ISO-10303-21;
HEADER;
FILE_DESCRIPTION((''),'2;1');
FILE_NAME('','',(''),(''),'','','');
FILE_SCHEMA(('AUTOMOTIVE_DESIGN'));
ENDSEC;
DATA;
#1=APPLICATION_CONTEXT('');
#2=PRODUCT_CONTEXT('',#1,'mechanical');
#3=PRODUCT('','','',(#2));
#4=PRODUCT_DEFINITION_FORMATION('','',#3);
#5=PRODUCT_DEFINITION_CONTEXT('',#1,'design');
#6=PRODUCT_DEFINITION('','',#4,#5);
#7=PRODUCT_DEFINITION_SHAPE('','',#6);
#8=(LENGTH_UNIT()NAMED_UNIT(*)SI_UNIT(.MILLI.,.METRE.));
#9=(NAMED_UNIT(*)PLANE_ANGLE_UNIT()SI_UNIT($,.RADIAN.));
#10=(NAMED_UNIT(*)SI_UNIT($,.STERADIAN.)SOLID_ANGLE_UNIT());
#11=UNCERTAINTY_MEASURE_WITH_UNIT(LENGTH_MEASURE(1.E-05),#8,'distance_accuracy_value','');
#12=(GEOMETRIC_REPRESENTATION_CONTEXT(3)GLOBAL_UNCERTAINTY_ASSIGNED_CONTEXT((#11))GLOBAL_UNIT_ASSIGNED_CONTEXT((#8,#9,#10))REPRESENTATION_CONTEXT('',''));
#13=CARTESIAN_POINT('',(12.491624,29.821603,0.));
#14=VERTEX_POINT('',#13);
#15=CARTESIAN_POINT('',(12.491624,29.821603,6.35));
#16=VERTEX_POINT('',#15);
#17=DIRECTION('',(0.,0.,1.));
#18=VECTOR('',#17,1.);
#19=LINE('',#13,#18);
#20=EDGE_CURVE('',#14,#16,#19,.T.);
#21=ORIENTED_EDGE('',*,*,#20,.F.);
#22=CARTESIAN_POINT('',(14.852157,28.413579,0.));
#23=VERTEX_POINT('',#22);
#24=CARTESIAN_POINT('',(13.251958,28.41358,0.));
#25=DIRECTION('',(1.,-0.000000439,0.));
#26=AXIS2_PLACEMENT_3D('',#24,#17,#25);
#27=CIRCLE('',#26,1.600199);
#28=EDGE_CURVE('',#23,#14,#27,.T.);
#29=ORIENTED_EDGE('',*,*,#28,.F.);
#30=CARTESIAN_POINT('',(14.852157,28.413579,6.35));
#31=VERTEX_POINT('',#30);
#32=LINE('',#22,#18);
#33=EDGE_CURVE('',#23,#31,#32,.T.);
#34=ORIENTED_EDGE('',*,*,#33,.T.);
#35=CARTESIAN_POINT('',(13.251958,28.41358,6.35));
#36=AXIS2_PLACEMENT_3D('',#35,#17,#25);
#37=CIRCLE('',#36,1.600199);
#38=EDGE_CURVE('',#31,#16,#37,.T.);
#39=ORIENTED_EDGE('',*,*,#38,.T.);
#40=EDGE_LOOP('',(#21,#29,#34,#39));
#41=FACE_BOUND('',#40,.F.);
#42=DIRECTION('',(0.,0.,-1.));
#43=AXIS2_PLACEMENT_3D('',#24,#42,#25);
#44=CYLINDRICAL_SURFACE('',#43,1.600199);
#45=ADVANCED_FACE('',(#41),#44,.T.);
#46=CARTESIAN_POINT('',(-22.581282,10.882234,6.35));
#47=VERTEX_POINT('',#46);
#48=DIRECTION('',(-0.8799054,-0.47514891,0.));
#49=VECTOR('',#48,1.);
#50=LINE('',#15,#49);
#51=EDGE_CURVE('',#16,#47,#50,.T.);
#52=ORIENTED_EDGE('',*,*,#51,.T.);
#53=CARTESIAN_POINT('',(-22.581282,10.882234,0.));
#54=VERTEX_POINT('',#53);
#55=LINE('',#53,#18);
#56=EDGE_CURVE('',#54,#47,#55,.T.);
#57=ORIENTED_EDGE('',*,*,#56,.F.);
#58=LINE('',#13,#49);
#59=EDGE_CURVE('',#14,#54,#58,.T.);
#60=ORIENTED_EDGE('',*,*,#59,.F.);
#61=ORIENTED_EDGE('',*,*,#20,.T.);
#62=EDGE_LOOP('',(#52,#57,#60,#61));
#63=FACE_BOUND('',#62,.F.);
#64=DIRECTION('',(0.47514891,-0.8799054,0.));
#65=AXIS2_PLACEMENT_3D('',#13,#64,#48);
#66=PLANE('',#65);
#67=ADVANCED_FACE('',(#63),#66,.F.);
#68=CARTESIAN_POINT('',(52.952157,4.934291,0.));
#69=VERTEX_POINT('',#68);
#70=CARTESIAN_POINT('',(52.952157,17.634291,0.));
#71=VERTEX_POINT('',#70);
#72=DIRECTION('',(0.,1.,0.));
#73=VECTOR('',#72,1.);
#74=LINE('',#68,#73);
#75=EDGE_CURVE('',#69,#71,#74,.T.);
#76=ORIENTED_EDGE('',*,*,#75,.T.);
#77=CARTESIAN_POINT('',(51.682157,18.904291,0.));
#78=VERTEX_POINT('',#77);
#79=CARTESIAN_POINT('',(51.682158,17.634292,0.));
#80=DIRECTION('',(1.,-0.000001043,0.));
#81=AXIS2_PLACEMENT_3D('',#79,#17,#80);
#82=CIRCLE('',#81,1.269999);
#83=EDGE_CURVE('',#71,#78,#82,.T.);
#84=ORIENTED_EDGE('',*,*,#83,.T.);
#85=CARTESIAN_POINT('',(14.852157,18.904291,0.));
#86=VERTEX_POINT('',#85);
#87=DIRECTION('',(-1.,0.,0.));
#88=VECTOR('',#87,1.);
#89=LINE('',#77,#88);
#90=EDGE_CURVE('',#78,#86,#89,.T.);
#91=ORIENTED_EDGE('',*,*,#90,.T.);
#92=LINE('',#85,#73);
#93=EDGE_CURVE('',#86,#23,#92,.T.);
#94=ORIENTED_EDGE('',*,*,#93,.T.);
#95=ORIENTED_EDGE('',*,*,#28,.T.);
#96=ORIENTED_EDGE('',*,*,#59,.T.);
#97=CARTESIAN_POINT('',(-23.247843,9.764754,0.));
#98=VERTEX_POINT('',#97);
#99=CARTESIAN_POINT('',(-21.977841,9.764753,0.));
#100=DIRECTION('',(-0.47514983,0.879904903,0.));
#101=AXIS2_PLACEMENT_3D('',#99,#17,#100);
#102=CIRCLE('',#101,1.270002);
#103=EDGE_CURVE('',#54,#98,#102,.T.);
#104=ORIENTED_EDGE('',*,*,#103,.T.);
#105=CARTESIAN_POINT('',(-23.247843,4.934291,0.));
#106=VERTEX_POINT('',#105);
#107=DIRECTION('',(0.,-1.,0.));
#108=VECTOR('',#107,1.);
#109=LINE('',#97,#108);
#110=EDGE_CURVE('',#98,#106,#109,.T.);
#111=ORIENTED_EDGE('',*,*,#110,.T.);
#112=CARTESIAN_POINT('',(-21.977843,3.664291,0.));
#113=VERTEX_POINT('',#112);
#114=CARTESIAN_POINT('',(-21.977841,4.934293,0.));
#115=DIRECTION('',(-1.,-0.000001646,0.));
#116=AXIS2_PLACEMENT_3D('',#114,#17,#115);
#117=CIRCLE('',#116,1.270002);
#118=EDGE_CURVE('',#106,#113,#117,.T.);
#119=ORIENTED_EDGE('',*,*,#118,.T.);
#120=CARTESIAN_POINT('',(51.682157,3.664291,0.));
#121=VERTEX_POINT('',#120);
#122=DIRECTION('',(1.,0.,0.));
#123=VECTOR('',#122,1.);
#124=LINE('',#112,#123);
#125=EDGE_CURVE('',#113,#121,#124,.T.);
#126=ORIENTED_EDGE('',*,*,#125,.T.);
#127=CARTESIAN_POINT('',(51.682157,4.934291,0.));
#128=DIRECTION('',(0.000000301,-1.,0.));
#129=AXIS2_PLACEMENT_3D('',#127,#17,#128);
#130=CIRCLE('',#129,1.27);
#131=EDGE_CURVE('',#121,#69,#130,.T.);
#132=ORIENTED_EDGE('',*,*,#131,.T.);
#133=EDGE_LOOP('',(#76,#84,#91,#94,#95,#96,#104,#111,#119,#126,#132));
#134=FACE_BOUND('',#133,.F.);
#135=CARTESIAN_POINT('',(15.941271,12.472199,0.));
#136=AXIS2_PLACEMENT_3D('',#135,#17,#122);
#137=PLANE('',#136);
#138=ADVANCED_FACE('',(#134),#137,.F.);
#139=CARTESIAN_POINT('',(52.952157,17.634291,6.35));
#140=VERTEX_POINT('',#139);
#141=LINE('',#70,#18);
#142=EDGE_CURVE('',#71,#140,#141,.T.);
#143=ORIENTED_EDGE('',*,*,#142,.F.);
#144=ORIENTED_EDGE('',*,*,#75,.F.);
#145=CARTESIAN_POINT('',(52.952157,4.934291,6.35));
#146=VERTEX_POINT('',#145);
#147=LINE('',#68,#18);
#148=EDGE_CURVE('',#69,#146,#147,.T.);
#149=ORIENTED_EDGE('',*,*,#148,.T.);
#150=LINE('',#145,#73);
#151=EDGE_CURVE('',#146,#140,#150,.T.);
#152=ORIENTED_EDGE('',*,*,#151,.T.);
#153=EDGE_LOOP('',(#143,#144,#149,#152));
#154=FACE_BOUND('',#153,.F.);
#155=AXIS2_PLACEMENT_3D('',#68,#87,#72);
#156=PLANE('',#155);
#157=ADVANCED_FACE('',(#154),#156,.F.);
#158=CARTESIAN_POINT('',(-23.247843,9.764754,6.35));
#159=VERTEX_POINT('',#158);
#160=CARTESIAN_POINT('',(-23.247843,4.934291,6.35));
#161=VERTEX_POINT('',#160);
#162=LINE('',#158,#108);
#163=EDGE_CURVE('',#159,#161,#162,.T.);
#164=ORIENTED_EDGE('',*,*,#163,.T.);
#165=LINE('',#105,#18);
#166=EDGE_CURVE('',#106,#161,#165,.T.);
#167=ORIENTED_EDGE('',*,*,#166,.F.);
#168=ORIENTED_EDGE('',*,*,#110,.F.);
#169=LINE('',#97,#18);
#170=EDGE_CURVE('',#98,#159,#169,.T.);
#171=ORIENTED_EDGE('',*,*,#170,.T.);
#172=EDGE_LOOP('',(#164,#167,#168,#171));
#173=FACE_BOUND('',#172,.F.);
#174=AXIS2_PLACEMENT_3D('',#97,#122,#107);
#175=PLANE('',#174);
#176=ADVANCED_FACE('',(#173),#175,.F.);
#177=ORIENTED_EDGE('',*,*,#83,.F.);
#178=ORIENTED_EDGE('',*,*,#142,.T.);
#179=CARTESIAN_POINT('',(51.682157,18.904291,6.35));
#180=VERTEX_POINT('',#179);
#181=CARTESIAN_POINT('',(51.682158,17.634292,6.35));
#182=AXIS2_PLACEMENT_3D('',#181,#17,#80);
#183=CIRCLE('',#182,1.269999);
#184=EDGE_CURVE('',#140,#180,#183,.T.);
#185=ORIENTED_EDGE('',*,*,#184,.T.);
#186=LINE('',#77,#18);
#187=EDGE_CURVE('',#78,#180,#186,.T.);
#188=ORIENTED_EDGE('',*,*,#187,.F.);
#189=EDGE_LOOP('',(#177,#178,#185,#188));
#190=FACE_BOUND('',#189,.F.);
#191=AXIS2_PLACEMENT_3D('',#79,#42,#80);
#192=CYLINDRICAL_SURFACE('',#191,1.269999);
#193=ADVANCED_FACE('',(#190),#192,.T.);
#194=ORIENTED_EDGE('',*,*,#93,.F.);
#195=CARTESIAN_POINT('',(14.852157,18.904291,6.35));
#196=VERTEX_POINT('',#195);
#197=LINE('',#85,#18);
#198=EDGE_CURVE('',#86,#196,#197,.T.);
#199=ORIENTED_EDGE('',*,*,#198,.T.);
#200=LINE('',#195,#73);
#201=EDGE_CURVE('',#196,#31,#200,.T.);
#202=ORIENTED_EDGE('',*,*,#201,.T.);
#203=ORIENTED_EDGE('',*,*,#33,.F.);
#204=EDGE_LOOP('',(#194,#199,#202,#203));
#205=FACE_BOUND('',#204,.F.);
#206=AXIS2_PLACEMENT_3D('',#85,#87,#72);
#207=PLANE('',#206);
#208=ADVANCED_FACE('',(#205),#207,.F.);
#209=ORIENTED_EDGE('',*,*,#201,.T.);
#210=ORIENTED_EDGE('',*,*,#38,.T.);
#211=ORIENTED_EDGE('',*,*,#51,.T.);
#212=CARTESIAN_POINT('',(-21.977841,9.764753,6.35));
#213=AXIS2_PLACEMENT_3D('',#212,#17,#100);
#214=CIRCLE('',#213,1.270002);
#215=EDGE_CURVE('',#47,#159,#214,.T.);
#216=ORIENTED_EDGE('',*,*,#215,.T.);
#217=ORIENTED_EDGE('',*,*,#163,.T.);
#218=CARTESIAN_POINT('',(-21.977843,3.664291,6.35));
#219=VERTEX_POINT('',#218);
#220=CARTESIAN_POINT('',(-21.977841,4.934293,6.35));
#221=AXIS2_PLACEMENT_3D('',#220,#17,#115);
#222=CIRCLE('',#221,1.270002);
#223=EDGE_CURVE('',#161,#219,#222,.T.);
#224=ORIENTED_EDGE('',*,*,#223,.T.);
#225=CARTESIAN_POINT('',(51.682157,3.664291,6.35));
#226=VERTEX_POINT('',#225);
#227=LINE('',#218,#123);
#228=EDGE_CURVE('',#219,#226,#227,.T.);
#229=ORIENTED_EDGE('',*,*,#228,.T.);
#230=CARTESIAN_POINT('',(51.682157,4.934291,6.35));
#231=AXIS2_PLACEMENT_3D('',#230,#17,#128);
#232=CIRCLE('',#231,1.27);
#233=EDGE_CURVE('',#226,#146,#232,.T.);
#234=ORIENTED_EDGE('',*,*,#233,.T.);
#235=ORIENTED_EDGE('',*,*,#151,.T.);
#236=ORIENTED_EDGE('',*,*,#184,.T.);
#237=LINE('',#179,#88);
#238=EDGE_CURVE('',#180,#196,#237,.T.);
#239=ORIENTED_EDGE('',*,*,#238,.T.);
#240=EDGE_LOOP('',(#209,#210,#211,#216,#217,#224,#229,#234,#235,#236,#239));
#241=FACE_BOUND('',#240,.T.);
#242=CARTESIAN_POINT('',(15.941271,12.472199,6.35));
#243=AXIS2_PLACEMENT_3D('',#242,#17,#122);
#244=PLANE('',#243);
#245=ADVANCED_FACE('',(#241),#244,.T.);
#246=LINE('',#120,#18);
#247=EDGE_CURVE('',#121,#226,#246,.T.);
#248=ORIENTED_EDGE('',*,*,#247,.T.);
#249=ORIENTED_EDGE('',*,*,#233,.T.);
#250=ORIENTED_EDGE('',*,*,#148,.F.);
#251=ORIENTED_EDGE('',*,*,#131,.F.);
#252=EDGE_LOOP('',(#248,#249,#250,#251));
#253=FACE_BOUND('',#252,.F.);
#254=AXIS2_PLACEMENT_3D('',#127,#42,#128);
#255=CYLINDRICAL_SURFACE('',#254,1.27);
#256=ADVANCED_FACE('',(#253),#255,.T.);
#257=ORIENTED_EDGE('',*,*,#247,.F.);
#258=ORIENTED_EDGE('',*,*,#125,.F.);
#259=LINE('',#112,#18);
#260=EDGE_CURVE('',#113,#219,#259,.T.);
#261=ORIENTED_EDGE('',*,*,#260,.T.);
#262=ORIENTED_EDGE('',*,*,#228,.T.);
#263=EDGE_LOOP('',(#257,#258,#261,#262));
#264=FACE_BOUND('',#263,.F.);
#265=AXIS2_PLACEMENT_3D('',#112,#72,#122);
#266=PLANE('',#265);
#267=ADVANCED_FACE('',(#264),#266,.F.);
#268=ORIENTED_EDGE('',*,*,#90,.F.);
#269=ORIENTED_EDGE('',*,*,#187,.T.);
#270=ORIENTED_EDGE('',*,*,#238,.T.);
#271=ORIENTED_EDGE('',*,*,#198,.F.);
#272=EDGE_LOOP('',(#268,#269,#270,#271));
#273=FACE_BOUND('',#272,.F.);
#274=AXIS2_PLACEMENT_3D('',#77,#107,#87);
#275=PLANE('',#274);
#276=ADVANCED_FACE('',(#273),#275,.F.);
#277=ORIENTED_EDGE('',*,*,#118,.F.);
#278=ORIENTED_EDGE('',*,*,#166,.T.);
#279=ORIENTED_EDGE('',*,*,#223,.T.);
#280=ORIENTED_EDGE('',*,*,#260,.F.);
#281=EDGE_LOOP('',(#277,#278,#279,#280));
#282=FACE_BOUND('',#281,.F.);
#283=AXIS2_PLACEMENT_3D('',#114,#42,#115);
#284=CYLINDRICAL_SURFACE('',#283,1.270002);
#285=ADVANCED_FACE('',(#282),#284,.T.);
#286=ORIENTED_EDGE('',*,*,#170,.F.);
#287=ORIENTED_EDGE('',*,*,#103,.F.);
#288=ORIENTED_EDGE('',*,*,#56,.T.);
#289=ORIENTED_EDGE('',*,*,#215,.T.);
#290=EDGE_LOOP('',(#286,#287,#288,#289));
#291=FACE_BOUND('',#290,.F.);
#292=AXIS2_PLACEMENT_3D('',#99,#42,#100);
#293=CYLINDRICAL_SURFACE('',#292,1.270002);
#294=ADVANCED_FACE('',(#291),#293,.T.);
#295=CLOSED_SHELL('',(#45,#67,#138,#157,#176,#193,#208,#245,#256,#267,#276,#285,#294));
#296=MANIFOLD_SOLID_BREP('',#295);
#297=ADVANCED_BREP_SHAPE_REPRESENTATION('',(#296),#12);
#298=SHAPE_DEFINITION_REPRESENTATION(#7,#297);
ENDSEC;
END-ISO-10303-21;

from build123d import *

# Parameters (mm, degrees)
F1_DEPTH = 6.35


with BuildPart() as f1:
    # F0 (on Top) → F1 (new body)
    with BuildSketch(Plane.XY):
        with BuildLine():
            ThreePointArc((52.952157, 17.634291), (52.580183, 18.532317), (51.682157, 18.904291))
            Line((51.682157, 18.904291), (14.852157, 18.904291))
            Line((14.852157, 18.904291), (14.852157, 28.413579))
            ThreePointArc((14.852157, 28.413579), (14.0717, 29.787865), (12.491624, 29.821603))
            Line((12.491624, 29.821603), (-22.581282, 10.882234))
            ThreePointArc((-22.581282, 10.882234), (-23.068546, 10.415343), (-23.247843, 9.764754))
            Line((-23.247843, 9.764754), (-23.247843, 4.934291))
            ThreePointArc((-23.247843, 4.934291), (-22.875868, 4.036266), (-21.977843, 3.664291))
            Line((-21.977843, 3.664291), (51.682157, 3.664291))
            ThreePointArc((51.682157, 3.664291), (52.580183, 4.036266), (52.952157, 4.934291))
            Line((52.952157, 4.934291), (52.952157, 17.634291))
        make_face()
    extrude(amount=F1_DEPTH)


solid = f1.part
